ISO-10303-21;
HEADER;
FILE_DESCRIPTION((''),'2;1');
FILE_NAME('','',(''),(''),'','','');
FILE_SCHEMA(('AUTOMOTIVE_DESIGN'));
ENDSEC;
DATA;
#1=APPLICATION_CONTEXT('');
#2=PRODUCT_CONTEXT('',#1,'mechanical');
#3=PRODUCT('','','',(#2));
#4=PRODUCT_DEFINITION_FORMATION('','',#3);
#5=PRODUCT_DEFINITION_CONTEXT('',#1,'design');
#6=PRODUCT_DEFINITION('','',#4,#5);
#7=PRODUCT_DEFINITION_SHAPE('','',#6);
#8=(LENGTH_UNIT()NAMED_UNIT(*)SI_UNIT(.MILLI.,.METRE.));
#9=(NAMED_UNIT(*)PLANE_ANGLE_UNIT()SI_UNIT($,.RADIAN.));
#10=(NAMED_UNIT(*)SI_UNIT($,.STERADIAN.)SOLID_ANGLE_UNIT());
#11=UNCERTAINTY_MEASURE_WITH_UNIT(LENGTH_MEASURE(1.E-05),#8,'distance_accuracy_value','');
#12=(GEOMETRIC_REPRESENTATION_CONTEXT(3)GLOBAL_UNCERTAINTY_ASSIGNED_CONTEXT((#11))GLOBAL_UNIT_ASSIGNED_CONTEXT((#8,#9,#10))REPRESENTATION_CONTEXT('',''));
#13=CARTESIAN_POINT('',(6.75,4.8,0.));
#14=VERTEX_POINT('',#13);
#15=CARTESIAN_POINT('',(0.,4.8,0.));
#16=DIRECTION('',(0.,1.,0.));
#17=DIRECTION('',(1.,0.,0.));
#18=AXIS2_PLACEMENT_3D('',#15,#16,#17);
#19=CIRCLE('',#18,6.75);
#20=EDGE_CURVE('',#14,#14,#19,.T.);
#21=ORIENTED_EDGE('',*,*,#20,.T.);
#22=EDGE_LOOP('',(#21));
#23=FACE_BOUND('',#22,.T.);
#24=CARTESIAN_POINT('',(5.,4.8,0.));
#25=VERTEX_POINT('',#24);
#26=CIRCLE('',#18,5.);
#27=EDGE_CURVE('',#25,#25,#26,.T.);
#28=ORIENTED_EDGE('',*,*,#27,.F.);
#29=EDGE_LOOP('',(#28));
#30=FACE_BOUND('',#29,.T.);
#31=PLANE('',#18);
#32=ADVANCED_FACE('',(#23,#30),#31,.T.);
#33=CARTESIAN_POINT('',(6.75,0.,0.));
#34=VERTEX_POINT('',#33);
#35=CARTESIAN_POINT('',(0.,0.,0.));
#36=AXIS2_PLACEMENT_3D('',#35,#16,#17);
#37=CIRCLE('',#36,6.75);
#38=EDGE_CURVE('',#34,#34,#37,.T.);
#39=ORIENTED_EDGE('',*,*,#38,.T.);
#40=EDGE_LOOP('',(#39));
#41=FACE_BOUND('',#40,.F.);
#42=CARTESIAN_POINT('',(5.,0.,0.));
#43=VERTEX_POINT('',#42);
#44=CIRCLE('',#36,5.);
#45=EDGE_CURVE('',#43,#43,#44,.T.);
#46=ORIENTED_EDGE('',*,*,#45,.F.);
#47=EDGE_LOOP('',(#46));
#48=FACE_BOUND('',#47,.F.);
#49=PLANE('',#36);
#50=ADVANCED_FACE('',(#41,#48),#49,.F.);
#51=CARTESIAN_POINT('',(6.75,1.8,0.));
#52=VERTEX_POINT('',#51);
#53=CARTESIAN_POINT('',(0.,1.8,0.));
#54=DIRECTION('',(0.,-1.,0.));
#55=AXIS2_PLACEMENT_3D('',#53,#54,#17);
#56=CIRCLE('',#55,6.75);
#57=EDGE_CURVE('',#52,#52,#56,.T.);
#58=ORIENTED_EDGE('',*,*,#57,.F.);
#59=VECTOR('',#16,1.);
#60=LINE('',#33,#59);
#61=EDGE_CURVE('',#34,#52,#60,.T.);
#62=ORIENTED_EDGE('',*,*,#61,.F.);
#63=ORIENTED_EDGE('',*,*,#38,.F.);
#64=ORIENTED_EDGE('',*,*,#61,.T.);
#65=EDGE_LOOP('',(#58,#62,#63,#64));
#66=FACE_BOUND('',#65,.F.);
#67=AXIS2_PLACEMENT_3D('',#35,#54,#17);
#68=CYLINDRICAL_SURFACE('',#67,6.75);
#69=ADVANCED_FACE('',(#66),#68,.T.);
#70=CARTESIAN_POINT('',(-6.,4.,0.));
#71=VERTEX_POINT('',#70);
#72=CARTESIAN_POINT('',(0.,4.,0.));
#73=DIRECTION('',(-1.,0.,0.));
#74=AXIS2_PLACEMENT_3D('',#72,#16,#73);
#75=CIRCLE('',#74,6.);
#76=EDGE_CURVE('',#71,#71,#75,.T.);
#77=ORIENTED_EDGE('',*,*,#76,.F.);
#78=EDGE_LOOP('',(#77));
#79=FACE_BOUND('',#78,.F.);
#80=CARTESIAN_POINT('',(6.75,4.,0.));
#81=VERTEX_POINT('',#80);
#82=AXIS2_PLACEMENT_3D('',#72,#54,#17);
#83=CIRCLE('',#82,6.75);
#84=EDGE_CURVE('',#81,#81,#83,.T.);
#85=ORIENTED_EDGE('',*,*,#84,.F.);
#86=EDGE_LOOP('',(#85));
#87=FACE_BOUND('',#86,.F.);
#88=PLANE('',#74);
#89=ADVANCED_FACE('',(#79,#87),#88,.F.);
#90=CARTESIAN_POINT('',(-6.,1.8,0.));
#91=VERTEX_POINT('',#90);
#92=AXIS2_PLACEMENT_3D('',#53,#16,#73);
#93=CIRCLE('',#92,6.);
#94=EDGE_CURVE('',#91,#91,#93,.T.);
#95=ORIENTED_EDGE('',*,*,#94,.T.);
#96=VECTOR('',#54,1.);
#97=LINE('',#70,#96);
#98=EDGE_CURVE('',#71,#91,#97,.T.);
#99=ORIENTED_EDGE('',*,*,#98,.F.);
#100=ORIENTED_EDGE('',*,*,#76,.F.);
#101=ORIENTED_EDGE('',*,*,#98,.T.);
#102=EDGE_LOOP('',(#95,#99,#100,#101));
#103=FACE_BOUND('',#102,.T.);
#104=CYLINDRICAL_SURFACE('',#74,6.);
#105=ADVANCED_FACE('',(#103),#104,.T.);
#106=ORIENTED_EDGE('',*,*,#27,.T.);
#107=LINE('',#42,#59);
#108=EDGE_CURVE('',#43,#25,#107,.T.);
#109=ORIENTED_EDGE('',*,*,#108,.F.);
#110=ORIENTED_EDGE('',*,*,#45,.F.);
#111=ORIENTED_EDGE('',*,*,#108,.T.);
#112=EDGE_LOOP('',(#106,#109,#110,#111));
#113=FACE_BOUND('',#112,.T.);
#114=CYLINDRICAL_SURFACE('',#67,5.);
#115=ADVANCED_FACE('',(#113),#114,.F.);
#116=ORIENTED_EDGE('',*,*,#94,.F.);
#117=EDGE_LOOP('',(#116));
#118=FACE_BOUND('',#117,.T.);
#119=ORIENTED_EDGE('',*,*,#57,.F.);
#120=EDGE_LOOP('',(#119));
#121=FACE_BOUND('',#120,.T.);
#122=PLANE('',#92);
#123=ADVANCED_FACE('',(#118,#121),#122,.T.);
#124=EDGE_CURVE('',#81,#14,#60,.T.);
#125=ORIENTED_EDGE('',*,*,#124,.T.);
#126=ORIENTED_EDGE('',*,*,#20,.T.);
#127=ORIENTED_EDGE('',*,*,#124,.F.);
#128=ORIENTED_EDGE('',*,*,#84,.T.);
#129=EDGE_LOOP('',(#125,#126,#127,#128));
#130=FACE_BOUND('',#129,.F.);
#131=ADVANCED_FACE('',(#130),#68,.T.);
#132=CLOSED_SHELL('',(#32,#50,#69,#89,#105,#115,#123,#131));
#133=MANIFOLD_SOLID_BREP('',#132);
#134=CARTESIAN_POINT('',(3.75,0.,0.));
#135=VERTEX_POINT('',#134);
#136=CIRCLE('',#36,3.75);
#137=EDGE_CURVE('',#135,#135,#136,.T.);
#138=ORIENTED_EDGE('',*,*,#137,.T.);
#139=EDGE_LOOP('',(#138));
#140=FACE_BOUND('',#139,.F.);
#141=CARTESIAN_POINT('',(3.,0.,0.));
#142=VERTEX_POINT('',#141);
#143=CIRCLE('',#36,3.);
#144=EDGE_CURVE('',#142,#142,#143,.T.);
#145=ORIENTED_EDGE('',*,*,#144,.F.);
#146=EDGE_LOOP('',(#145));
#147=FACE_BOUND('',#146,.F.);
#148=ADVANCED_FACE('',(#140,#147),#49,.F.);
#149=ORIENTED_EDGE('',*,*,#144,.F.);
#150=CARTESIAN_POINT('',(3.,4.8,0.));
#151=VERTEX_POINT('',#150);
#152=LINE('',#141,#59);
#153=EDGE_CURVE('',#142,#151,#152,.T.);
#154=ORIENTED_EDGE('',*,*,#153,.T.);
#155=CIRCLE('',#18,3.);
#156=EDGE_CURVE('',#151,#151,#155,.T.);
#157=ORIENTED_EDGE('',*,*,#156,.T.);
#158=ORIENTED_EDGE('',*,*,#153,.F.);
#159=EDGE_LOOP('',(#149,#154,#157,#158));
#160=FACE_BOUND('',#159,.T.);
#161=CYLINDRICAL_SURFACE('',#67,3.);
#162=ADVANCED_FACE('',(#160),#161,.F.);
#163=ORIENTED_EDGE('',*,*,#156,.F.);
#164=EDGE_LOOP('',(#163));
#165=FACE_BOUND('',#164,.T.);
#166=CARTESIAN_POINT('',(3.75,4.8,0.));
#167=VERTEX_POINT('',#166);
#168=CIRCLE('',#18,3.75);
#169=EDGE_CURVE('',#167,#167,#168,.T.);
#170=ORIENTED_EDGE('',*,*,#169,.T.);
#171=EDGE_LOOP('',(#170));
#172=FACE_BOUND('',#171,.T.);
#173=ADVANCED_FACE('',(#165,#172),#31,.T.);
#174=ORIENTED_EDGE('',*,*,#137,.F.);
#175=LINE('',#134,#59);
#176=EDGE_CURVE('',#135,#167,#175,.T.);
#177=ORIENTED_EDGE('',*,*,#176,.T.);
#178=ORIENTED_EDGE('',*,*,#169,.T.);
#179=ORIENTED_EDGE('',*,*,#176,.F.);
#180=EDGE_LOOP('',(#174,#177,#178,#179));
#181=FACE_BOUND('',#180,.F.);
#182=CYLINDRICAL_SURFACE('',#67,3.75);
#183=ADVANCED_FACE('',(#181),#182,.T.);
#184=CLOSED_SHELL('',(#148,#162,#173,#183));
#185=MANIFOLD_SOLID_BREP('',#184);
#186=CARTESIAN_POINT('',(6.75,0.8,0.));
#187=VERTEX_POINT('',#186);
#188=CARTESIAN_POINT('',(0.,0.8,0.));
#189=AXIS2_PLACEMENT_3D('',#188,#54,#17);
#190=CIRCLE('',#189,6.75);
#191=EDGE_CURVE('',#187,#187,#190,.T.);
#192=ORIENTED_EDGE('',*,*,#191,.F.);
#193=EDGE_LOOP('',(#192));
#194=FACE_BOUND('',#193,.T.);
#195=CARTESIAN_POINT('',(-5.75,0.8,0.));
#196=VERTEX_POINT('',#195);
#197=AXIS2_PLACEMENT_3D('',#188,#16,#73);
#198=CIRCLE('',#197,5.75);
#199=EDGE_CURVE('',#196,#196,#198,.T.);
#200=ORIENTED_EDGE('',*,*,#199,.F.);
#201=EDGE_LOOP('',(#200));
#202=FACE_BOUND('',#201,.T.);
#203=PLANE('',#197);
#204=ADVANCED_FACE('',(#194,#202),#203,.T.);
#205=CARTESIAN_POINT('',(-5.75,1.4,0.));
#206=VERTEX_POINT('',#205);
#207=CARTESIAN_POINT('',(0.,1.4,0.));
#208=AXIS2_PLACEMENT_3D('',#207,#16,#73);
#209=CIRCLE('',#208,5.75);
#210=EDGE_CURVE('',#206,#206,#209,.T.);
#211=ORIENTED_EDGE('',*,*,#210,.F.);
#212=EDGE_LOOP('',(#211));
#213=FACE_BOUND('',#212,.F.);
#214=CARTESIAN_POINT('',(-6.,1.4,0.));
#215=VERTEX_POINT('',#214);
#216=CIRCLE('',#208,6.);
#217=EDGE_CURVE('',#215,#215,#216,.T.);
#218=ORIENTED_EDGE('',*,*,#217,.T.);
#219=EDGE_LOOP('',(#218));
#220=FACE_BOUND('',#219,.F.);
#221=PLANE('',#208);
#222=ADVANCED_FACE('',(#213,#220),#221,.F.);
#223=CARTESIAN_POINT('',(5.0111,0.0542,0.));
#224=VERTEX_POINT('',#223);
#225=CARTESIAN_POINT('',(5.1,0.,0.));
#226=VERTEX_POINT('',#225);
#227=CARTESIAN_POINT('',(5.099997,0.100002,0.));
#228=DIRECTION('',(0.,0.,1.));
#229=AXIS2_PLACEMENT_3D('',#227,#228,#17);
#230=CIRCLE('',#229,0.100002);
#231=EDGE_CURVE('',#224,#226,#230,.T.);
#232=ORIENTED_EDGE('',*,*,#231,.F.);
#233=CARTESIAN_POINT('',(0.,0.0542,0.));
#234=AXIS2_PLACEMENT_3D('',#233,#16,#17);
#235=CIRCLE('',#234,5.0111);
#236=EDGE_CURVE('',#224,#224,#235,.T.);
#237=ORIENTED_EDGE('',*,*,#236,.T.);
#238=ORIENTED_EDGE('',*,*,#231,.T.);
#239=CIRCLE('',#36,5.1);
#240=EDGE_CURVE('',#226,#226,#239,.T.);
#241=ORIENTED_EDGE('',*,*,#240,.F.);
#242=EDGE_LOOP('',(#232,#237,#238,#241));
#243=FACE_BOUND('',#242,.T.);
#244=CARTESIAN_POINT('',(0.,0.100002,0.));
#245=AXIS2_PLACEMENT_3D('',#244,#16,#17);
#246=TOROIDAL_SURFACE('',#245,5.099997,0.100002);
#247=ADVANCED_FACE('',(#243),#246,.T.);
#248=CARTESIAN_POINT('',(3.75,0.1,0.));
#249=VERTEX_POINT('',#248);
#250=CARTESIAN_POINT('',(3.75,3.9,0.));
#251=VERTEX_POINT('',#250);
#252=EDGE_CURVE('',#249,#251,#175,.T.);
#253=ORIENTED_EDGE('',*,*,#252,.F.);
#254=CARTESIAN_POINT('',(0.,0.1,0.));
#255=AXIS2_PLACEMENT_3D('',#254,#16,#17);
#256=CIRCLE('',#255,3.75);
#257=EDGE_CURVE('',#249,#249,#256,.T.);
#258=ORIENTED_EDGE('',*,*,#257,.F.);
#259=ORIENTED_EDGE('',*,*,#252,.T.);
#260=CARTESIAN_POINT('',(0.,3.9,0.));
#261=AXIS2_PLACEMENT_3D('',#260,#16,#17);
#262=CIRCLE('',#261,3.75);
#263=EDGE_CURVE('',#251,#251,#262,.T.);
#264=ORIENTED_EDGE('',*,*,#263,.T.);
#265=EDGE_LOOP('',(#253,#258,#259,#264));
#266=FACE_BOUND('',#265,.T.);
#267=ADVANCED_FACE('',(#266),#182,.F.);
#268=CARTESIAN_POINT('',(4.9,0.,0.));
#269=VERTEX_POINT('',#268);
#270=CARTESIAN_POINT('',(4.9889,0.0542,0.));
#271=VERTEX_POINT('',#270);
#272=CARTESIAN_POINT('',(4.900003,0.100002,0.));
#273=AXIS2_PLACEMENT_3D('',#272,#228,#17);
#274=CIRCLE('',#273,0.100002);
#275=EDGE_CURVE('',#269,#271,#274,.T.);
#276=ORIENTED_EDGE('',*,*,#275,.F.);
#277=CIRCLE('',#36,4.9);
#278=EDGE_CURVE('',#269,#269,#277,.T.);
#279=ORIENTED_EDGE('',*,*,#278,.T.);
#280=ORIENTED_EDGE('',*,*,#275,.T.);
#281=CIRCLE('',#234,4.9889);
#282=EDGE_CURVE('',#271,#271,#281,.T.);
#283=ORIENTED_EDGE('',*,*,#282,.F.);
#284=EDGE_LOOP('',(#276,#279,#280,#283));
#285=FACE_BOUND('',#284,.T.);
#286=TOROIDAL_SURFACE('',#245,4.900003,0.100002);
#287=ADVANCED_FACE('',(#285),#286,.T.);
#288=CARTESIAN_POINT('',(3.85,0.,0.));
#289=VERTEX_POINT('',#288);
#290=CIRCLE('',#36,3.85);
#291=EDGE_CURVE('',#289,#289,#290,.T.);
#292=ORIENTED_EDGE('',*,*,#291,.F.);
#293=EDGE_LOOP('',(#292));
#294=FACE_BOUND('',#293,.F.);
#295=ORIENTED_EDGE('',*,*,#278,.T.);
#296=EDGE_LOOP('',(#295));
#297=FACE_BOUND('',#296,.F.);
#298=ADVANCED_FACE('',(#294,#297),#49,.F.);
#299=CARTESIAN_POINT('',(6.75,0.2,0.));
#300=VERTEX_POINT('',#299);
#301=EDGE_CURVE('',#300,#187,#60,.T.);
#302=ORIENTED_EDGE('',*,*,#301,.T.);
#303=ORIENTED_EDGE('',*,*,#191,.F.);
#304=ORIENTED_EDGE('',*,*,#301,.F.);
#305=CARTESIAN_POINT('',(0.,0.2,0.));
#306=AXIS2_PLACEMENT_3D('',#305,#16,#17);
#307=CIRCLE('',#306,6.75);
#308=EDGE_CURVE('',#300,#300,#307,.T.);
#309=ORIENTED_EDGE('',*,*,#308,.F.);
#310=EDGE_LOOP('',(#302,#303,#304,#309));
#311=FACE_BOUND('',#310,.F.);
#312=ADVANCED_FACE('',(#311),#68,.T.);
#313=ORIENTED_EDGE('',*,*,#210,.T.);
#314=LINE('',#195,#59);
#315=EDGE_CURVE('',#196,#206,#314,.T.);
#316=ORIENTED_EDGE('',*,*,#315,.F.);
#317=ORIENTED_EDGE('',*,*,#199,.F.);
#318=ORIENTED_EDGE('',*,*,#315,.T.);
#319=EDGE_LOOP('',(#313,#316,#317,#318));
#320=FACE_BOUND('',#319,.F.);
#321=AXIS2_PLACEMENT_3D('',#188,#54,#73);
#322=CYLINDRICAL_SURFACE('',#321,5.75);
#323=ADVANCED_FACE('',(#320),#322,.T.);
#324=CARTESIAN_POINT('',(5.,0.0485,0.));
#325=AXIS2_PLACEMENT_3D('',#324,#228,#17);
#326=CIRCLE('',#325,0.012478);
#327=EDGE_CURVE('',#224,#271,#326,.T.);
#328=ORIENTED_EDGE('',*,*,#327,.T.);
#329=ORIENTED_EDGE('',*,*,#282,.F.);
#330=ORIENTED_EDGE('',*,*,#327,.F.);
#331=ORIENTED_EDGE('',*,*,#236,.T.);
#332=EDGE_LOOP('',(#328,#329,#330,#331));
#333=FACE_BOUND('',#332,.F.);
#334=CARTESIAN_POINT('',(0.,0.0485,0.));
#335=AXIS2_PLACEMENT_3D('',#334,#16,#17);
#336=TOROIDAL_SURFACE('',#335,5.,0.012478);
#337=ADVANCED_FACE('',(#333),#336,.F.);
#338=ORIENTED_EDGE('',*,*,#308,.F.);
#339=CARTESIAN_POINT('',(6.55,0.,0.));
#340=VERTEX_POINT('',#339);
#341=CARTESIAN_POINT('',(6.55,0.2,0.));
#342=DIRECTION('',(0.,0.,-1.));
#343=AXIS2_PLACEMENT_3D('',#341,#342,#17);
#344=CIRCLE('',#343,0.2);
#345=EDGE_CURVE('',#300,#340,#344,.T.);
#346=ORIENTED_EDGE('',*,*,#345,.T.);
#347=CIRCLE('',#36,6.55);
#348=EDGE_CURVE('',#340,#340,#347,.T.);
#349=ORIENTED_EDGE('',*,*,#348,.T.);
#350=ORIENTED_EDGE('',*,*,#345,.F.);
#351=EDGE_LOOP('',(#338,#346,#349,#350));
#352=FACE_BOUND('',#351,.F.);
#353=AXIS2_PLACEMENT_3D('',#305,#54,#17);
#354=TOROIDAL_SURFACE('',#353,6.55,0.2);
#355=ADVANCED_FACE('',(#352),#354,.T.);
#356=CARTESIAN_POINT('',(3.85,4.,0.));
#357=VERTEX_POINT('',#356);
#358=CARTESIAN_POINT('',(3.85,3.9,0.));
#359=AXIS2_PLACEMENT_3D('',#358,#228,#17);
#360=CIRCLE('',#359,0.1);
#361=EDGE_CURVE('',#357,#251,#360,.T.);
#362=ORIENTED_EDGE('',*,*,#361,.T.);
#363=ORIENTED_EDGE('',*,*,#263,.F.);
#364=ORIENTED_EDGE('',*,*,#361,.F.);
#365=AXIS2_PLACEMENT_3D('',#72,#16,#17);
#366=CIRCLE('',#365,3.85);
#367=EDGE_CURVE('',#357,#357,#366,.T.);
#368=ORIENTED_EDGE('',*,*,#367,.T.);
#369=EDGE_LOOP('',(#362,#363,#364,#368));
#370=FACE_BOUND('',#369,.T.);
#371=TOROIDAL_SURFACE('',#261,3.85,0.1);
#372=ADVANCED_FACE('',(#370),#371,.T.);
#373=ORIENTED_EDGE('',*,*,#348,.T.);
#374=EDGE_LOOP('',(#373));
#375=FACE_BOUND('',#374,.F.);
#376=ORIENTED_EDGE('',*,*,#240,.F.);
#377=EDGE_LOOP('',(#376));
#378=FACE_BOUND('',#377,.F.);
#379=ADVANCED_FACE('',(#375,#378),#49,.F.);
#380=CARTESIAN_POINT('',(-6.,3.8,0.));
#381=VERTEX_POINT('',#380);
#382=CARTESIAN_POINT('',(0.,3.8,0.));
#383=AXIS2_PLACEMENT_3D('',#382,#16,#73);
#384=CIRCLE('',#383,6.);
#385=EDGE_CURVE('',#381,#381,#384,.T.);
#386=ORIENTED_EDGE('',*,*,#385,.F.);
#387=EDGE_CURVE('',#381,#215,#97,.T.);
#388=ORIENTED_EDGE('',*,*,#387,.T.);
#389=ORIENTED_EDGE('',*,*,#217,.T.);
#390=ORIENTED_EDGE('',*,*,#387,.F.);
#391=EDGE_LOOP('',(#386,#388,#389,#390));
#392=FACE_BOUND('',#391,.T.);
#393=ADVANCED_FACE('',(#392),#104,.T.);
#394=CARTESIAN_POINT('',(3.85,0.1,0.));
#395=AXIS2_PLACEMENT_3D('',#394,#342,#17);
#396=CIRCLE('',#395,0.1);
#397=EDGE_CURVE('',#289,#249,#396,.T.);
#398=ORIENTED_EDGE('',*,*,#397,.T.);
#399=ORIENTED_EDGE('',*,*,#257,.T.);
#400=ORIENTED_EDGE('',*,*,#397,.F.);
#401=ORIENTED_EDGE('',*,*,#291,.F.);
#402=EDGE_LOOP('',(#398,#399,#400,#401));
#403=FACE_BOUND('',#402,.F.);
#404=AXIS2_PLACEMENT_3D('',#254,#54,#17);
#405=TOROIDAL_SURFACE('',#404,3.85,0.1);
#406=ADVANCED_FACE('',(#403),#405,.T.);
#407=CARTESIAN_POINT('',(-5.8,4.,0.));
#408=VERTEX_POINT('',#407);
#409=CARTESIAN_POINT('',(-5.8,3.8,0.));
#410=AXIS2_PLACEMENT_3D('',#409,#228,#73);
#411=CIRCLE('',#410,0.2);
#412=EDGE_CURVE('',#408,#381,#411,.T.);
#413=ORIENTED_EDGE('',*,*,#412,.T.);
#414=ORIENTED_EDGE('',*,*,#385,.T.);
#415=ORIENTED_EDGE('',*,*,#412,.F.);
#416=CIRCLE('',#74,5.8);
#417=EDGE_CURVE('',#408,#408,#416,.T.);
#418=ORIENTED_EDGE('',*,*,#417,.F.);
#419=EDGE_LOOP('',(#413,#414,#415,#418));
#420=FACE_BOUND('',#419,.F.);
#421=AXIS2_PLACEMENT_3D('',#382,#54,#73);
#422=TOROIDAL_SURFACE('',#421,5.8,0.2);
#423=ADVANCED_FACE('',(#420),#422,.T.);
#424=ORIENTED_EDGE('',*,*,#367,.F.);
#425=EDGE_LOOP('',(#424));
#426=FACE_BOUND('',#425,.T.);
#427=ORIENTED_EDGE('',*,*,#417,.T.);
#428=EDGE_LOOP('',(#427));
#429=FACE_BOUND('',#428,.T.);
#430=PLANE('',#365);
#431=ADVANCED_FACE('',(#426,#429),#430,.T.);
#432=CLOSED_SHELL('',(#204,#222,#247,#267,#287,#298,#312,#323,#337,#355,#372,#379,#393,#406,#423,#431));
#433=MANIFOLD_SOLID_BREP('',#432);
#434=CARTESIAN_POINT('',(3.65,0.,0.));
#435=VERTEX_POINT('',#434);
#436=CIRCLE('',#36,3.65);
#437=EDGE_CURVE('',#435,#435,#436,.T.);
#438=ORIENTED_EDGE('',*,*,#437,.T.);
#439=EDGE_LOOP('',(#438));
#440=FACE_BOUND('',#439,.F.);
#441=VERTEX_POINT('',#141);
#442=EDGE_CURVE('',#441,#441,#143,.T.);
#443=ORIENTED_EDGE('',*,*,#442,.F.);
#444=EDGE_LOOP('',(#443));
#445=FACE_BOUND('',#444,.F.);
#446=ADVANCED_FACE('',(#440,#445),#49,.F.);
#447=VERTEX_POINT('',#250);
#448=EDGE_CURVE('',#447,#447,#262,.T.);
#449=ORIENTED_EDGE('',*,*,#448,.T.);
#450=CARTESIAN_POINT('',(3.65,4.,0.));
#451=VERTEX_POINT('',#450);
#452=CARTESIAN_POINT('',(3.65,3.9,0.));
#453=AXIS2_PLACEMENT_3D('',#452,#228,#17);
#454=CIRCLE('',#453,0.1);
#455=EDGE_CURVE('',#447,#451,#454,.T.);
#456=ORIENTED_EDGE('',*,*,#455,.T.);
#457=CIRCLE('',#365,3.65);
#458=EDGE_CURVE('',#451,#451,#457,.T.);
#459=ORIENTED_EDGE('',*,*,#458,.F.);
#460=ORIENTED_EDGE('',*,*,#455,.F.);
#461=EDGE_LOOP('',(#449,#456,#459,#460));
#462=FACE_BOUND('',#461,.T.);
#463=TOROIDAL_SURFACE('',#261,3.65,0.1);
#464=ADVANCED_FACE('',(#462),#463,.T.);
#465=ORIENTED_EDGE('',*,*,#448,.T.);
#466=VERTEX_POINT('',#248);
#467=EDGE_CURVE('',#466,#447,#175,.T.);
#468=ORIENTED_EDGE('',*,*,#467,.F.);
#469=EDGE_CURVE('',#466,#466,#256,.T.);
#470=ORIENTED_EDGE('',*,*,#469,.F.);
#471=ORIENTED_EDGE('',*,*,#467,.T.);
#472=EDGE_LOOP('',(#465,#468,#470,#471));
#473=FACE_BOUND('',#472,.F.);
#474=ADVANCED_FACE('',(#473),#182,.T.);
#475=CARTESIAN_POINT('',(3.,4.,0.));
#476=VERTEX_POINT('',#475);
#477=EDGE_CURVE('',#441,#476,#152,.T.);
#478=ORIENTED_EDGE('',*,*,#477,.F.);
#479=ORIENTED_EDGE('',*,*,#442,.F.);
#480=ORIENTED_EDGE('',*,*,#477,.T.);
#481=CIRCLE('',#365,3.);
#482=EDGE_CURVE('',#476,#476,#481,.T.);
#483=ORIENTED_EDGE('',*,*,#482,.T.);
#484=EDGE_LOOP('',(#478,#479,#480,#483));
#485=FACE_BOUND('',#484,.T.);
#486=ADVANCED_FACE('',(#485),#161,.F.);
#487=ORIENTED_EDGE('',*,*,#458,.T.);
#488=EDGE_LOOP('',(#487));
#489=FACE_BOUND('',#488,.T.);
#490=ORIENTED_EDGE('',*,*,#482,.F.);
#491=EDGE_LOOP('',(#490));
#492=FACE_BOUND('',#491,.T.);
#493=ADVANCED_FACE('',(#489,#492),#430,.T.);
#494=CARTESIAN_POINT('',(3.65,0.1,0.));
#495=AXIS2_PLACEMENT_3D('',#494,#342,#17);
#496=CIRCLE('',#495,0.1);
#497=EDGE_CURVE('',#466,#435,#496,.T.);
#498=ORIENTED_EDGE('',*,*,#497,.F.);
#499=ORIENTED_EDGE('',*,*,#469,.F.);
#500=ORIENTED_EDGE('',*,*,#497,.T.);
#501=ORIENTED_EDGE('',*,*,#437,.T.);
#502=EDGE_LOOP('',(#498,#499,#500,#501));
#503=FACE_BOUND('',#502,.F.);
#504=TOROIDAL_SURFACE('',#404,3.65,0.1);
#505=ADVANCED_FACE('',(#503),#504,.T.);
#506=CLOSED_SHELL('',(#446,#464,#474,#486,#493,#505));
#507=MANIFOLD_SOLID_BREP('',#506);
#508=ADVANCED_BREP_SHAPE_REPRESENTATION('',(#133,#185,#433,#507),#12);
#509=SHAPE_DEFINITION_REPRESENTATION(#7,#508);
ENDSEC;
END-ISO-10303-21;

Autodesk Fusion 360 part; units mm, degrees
sketch "Sketch1" plane through (0, 0, 0) normal (0, 1, 0) x (1, 0, 0)
  circle A0 centre (0, 0) radius 4
  circle A1 centre (0, 0) radius 2.5
  dimension "d1" = 8
  dimension "d2" = 5
extrude "Extrude1" add sketch "Sketch1" along normal blind 4.8
sketch "Sketch2" plane through (0, 4.8, 0) normal (0, 1, 0) x (-1, 0, 0)
  circle A0 centre (0, 0) radius 2.5
  circle A1 centre (0, 0) radius 4
  circle A2 centre (0, 0) radius 3
  dimension "d5" = 6
extrude "Extrude2" cut sketch "Sketch2" against normal blind 2.2 contours A1

Autodesk Fusion 360 part; units mm, degrees
sketch "Sketch1" plane through (0, 0, 0) normal (0, 1, 0) x (1, 0, 0)
  circle A0 centre (0, 0) radius 3
  circle A1 centre (0, 0) radius 6.75
  circle A2 centre (0, 0) radius 3.75
  circle A3 centre (0, 0) radius 5
  dimension "d1" = 6
  dimension "d2" = 13.5
  dimension "d3" = 7.5
  dimension "d4" = 10
extrude "Extrude1" add sketch "Sketch1" along normal blind 4 contours A2 makes body 1
extrude "Extrude2" add sketch "Sketch1" along normal blind 4 separate body contours A1 | A3 makes body 2
sketch "Sketch2" plane through (0, 4, 0) normal (0, 1, 0) x (-1, 0, 0)
  circle A0 centre (0, 0) radius 3.75
  circle A1 centre (0, 0) radius 6.75
  circle A2 centre (0, 0) radius 6
  dimension "d9" = 12
extrude "Extrude3" cut sketch "Sketch2" against normal blind 3.2 contours A1 bodies 2
sketch "Sketch3" plane through (0, 0.8, 0) normal (0, 1, 0) x (-1, 0, 0)
  circle A0 centre (0, 0) radius 6
  circle A1 centre (0, 0) radius 6.75
  circle A2 centre (0, 0) radius 5.75
  dimension "d12" = 11.5
extrude "Extrude4" cut sketch "Sketch3" along normal blind 0.6 contours A0 bodies 2
fillet "Fillet1" radius 0.2 2 edges at (-6.2932, 0, 2.4409) (5.594, 4, -2.1697) on bodies 2
fillet "Fillet2" radius 0.1 1 edges at (-3.4962, 0, 1.3561) on bodies 1 2
fillet "Fillet2" radius 0.1 1 edges at (-3.4962, 4, -1.3561) on bodies 1 2
sketch "Sketch4" plane through (0, 0, 0) normal (1, 0, 0) x (0, 1, 0)
  line L0 (0, -5) -> (0, 5)
  line L1 (0, 5) -> (0.1, 5) construction
  line L2 (0.1, 5) -> (0.1, 5.1) construction
  line L3 (0.1, 5) -> (0.1, 4.9) construction
  line L4 (0, 5.1) -> (0, 4.9)
  arc A0 (0.0542, 4.9889) -> (0.0542, 5.0111) centre (0.0485, 5) ccw
  arc A1 (0.0542, 5.0111) -> (0.036, 5) centre (0.0485, 5) ccw construction
  arc A2 (0.036, 5) -> (0.0542, 4.9889) centre (0.0485, 5) ccw construction
  arc A3 (0.0542, 5.0111) -> (0, 5.1) centre (0.1, 5.1) ccw construction
  arc A4 (0, 5.1) -> (0.0542, 5.0111) centre (0.1, 5.1) ccw
  arc A5 (0, 4.9) -> (0.0542, 4.9889) centre (0.1, 4.9) ccw construction
  arc A6 (0.0542, 4.9889) -> (0, 4.9) centre (0.1, 4.9) ccw
  dimension "d25" = 0.025
  dimension "d32" = 0.1
  dimension "d33" = 0.1
sweep "Sweep1" cut profiles "Sketch4" path "Sketch1" along A3 section 1 bodies 2
fillet "Fillet3" radius 0.1 2 edges at (-3.4962, 4, 1.3561) (-3.4962, 0, -1.3561) on bodies 1 2
